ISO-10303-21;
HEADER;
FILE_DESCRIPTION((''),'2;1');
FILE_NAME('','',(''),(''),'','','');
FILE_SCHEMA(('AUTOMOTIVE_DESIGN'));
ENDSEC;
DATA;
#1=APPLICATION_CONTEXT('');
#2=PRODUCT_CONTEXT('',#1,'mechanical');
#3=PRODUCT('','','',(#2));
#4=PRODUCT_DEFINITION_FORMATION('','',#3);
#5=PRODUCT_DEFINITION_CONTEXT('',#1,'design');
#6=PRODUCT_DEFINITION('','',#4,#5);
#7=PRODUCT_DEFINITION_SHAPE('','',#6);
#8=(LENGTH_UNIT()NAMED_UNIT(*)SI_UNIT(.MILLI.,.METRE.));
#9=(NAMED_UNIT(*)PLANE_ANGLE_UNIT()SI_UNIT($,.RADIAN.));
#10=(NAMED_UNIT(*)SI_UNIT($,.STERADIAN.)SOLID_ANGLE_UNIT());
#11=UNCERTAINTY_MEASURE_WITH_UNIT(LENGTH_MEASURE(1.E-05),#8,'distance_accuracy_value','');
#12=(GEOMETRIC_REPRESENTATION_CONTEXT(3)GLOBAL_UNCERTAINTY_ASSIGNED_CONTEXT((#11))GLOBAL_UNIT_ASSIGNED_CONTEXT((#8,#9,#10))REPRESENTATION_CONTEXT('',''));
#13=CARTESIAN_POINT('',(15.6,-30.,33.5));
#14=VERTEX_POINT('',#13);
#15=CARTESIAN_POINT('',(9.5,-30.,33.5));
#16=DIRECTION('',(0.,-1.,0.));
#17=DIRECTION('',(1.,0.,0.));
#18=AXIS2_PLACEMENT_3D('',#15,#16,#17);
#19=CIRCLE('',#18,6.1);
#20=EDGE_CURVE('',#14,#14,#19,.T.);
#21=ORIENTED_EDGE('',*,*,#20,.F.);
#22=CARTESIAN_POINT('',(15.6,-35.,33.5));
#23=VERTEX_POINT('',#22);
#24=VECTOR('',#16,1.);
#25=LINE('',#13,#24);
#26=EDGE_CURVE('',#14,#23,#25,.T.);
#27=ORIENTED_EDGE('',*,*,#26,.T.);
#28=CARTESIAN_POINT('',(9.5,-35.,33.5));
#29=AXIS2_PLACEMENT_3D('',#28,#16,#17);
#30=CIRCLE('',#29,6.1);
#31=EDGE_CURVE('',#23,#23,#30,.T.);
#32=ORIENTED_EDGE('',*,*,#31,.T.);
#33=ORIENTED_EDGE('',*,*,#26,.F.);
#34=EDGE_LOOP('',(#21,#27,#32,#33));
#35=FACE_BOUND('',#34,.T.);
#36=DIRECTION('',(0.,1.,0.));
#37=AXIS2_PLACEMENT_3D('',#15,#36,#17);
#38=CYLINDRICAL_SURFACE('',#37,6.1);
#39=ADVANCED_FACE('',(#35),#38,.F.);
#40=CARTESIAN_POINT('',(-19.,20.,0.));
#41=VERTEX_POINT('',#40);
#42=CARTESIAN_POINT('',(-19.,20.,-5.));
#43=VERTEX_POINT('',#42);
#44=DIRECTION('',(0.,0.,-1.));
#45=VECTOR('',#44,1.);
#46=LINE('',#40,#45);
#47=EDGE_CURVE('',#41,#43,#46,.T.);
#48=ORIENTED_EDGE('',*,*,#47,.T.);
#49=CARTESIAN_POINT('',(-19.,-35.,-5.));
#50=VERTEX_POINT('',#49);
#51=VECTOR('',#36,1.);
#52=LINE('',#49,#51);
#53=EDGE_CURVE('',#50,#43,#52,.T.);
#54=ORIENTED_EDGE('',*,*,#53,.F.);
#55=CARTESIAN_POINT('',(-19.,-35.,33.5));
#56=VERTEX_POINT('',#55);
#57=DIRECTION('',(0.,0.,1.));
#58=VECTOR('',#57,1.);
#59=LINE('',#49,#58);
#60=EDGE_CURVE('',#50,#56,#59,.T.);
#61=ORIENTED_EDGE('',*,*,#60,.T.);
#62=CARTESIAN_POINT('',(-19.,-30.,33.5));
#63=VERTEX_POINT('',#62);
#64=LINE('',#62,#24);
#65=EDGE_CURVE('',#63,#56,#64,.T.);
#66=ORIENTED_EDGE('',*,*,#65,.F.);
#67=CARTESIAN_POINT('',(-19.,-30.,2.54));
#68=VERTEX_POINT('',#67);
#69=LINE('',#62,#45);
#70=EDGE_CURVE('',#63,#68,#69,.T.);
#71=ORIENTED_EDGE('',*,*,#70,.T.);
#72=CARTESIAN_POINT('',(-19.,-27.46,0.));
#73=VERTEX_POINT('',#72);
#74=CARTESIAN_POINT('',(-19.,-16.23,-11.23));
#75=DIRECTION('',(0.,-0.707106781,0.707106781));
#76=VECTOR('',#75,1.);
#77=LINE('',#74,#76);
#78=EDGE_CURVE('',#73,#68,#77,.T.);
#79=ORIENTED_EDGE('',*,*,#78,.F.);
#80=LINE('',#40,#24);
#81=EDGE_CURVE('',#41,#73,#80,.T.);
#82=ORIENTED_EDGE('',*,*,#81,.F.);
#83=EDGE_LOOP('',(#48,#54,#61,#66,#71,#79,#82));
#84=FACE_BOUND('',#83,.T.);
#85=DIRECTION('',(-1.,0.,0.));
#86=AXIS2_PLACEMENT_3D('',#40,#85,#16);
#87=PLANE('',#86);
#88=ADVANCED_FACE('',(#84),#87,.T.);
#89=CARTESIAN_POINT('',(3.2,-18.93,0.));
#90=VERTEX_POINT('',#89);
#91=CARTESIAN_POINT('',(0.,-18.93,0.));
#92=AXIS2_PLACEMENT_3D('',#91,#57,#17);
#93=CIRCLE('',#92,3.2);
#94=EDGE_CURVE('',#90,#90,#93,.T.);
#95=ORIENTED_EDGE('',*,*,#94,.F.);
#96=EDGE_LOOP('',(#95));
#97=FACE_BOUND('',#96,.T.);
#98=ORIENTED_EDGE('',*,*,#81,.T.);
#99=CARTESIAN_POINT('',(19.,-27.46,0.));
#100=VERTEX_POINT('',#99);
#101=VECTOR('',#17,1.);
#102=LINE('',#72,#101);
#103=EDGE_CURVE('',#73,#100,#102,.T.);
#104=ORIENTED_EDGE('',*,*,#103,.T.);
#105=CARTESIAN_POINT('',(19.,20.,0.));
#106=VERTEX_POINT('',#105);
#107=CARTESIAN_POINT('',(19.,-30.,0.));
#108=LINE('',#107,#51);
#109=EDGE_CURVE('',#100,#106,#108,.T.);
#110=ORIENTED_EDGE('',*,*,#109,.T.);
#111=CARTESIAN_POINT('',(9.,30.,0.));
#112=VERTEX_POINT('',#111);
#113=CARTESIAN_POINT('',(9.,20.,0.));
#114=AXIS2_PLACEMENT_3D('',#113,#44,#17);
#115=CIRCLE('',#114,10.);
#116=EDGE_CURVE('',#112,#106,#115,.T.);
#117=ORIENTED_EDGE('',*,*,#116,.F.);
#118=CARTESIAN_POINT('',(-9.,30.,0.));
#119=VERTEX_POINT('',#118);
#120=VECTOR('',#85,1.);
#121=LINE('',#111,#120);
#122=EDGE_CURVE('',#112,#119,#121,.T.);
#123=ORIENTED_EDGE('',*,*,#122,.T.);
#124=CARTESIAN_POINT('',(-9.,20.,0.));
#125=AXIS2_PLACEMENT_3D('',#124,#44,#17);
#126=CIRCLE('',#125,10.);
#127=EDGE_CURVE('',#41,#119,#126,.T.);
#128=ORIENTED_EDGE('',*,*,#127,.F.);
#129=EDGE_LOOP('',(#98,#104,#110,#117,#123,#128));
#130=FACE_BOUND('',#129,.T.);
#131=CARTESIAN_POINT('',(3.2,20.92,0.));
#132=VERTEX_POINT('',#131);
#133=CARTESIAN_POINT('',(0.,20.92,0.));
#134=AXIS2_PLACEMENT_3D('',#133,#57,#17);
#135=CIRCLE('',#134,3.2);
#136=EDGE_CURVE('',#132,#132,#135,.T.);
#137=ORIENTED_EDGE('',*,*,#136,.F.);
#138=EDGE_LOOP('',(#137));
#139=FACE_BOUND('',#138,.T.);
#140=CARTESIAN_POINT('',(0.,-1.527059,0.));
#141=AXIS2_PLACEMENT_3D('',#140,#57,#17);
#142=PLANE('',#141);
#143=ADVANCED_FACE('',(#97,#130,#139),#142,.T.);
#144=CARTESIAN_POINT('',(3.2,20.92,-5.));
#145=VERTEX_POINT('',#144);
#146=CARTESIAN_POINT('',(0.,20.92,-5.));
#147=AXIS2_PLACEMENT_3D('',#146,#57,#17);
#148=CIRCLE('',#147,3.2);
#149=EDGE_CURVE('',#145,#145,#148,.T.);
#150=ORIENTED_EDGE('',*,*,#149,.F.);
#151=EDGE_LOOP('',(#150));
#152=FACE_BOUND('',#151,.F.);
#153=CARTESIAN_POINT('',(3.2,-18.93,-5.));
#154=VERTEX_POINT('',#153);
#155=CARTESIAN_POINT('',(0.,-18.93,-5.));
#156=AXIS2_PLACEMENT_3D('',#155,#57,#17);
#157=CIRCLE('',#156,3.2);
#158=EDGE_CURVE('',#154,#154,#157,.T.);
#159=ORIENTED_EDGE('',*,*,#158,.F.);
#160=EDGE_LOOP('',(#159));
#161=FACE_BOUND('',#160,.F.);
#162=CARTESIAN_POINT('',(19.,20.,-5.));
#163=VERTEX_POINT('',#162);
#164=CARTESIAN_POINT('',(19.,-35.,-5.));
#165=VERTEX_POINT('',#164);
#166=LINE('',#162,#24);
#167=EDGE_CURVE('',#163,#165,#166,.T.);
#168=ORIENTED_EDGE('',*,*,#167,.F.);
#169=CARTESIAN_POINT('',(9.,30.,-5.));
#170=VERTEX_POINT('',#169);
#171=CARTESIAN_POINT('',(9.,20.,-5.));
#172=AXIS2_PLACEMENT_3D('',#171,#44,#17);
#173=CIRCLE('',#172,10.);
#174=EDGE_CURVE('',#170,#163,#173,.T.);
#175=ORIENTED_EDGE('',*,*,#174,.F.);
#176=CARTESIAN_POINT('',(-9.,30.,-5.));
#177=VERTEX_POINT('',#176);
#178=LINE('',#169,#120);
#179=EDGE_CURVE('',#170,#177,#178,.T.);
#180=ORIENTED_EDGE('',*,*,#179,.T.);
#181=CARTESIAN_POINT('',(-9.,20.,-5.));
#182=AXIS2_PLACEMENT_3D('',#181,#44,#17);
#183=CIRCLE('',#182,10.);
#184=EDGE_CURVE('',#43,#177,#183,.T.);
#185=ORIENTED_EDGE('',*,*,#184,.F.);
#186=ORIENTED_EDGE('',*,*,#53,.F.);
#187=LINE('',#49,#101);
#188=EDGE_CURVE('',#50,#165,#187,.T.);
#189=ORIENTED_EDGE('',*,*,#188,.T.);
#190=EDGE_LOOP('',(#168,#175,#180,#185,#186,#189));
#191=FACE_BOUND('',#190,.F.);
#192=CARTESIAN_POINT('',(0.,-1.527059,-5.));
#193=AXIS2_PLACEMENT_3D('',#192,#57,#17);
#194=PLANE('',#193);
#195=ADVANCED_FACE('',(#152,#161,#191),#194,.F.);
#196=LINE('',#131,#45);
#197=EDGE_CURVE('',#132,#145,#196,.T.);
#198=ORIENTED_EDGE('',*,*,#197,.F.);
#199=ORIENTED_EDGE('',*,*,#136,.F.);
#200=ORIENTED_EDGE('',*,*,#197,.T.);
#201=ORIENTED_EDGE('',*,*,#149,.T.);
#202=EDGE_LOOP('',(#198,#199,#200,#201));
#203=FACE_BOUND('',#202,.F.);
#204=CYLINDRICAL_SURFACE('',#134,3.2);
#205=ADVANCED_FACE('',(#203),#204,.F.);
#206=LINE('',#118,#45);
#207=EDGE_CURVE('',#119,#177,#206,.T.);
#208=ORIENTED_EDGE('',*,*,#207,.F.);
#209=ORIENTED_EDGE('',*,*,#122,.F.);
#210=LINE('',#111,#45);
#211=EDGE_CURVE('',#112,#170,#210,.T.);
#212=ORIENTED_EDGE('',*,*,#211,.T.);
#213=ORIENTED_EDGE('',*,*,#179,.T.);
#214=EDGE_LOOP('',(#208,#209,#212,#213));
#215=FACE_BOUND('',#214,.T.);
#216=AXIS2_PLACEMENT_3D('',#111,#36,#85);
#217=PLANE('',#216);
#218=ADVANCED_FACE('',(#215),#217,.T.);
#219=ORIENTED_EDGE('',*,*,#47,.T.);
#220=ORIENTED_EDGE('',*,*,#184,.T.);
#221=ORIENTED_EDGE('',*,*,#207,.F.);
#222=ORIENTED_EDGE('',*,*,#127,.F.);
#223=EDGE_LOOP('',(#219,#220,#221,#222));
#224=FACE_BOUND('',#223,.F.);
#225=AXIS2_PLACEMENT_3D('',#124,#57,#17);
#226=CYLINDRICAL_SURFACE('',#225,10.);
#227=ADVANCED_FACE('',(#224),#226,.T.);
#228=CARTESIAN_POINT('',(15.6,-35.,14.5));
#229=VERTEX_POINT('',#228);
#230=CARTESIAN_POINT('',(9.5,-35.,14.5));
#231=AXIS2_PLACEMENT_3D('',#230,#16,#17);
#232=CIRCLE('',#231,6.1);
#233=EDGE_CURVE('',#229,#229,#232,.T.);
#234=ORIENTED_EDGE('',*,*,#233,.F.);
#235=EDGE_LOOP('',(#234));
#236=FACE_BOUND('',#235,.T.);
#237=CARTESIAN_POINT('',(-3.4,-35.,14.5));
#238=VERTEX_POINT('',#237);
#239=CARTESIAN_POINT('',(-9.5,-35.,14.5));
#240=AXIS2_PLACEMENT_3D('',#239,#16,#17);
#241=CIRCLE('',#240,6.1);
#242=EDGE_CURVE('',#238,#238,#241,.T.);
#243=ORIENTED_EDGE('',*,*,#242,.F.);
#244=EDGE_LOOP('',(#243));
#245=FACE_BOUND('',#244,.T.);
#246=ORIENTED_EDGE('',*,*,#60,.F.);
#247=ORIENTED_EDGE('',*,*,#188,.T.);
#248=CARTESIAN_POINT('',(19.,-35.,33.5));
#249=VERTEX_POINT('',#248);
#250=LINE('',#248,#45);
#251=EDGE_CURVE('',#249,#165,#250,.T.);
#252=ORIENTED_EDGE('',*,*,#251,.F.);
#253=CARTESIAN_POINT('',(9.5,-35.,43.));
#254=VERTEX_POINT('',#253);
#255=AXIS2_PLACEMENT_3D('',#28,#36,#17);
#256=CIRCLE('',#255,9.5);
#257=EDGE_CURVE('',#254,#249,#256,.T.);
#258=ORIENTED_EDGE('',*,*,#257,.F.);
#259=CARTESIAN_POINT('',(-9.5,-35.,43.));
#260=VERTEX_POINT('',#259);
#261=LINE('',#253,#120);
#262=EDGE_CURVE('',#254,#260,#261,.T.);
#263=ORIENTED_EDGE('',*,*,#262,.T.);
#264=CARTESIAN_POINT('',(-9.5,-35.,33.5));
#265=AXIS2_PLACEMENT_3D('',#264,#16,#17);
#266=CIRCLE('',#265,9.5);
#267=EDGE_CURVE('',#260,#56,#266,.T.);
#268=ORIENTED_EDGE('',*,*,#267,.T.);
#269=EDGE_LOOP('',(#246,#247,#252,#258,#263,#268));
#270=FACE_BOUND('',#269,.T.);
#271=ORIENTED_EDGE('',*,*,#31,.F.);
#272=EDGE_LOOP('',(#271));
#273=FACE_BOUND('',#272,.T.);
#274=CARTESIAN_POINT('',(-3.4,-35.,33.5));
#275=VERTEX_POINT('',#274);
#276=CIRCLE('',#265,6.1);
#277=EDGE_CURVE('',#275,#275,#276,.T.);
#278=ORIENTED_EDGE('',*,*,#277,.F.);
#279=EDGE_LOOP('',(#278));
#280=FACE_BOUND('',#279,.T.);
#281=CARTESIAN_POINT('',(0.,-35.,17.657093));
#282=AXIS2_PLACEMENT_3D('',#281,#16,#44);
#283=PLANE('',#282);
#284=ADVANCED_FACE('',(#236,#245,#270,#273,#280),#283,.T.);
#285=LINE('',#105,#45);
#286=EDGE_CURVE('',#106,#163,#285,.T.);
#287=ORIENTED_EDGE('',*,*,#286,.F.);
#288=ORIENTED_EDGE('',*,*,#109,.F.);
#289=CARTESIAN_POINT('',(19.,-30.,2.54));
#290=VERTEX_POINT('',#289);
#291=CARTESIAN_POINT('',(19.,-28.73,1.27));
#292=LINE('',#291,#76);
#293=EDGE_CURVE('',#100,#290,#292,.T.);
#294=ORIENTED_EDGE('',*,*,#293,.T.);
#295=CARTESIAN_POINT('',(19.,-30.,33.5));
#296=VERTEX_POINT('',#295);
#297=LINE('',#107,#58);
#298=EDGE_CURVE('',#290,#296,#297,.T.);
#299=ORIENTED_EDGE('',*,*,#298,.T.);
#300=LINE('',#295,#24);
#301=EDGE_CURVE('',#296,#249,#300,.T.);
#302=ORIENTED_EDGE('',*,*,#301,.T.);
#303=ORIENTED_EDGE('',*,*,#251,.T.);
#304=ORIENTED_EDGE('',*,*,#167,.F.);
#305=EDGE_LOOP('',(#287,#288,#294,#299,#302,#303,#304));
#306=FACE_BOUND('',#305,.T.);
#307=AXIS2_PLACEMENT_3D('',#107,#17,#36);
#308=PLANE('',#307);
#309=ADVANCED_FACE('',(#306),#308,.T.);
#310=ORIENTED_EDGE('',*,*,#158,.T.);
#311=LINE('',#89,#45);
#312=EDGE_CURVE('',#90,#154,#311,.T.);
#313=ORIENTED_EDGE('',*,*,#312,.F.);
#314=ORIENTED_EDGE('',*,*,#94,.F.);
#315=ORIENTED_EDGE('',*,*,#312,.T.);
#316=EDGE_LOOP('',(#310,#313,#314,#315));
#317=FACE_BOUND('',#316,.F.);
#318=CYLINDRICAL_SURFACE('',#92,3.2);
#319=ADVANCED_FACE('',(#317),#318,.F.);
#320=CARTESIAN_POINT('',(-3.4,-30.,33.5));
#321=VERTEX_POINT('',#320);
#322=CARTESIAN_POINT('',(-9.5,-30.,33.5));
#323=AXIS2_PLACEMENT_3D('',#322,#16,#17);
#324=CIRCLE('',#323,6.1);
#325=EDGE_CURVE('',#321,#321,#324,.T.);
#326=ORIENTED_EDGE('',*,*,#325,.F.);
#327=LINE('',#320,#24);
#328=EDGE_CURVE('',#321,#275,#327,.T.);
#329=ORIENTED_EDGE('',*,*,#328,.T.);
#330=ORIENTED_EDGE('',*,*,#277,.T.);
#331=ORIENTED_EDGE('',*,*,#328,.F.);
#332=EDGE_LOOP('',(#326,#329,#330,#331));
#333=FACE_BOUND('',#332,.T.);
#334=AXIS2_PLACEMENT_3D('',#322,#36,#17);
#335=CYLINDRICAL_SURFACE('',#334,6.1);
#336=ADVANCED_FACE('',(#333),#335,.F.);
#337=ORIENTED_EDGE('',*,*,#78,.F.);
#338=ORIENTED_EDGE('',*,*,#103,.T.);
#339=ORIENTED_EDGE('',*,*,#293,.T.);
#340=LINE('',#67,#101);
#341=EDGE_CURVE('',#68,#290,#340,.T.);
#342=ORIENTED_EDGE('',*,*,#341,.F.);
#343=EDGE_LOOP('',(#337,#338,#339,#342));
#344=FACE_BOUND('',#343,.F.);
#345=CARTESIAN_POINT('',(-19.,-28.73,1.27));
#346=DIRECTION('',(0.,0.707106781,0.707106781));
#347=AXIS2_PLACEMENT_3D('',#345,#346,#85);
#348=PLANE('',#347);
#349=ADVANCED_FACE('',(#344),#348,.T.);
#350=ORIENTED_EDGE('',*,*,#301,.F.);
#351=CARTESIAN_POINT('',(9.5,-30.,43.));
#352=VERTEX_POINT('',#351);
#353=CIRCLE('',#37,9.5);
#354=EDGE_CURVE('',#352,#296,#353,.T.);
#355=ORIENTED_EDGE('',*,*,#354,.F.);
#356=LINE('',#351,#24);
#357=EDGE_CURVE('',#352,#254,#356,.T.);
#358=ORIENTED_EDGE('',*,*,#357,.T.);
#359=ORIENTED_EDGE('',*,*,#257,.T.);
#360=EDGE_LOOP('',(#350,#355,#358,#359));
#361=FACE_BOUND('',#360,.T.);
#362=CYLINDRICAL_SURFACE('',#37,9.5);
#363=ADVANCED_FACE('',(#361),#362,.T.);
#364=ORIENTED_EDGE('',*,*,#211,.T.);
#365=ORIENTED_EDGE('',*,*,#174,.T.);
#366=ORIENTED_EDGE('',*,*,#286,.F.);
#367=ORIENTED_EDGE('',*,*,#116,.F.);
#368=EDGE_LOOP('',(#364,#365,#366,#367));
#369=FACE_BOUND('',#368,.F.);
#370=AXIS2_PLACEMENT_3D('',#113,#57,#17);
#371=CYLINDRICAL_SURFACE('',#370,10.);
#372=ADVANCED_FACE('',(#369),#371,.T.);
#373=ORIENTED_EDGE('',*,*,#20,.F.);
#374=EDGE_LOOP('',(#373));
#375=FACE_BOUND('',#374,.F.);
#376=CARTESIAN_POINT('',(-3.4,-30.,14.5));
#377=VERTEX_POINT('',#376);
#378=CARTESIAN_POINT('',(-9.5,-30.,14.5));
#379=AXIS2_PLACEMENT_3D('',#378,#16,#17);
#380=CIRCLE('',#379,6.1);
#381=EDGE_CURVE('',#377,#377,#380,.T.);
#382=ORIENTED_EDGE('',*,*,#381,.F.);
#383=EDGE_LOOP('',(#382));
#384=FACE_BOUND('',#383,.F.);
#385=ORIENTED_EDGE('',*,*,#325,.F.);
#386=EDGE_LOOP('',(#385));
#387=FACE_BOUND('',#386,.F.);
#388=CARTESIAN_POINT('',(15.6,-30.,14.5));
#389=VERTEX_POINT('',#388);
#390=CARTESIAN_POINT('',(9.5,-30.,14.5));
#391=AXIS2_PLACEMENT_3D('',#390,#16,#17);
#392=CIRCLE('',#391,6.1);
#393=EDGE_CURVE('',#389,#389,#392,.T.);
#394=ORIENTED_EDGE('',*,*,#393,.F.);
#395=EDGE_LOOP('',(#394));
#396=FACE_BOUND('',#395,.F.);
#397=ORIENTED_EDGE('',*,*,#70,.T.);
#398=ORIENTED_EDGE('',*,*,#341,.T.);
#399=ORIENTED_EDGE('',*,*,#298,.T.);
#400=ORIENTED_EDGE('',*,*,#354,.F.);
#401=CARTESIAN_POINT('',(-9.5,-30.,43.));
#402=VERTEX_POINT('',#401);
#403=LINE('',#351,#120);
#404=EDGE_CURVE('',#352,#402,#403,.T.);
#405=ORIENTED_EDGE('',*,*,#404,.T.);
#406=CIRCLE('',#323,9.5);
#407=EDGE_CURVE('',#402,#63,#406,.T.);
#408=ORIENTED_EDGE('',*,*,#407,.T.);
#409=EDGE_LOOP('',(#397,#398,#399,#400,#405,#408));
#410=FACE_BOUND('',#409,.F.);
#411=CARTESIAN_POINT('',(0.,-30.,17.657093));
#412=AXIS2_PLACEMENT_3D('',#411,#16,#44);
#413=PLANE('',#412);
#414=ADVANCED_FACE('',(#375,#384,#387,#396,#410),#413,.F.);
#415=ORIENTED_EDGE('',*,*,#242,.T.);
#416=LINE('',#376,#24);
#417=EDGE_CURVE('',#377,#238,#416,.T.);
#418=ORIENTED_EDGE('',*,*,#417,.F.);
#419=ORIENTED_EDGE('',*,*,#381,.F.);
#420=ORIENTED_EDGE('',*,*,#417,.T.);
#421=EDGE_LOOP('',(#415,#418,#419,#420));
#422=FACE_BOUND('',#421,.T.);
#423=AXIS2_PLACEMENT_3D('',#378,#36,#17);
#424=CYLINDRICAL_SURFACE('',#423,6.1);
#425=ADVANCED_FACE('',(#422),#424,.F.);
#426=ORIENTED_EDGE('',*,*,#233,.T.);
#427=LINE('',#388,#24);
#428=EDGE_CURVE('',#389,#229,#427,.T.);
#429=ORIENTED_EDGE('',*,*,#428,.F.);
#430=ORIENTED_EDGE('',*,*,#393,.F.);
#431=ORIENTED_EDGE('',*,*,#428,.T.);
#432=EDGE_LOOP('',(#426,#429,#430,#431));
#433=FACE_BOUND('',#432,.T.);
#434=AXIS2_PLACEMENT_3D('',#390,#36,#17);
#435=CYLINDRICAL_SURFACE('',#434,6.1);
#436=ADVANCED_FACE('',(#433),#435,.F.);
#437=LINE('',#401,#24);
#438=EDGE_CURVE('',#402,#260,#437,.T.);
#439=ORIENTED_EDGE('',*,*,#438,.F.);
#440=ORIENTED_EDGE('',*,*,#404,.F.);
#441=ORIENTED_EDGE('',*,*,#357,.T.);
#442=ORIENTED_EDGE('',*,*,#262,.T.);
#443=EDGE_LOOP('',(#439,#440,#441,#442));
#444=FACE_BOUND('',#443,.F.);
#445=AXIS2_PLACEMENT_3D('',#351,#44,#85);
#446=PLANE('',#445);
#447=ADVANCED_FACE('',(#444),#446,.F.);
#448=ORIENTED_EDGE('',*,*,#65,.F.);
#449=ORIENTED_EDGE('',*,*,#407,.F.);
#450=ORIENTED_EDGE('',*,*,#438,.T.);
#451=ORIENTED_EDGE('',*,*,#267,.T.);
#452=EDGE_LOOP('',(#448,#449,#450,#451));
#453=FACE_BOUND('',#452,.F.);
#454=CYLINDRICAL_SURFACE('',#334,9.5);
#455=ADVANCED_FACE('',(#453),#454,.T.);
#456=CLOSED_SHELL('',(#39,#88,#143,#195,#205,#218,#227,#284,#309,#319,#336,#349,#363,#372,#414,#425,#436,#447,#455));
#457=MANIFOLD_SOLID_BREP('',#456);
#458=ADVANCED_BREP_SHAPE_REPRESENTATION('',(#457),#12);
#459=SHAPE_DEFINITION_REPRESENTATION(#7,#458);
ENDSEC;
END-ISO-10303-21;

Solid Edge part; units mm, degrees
sketch "Sketch1" plane through (0, 0, 0) normal (0, 0, 1) x (1, 0, 0)
  circle A0 centre (0, -18.93) radius 3.2
  circle A1 centre (0, 20.92) radius 3.2
  line L0 (9, 30) -> (-9, 30)
  arc A2 (-19, 20) -> (-9, 30) centre (-9, 20) cw
  line L1 (-19, 20) -> (-19, -30)
  line L2 (-19, -30) -> (19, -30)
  line L3 (19, -30) -> (19, 20)
  arc A3 (9, 30) -> (19, 20) centre (9, 20) cw
extrude "Protrusion1" add sketch "Sketch1" against normal blind 5
sketch "Sketch2" plane through (0, -30, -2.5) normal (0, -1, 0) x (1, 0, 0)
  circle A0 centre (-9.5, 36) radius 6.1
  circle A1 centre (-9.5, 17) radius 6.1
  circle A2 centre (9.5, 17) radius 6.1
  circle A3 centre (9.5, 36) radius 6.1
  line L0 (9.5, 45.5) -> (-9.5, 45.5)
  arc A4 (-9.5, 45.5) -> (-19, 36) centre (-9.5, 36) ccw
  line L1 (-19, 36) -> (-19, 7.5)
  line L2 (-19, 7.5) -> (-19, -2.5)
  line L3 (-19, -2.5) -> (19, -2.5)
  line L4 (19, -2.5) -> (19, 7.5)
  line L5 (19, 7.5) -> (19, 36)
  arc A5 (9.5, 45.5) -> (19, 36) centre (9.5, 36) cw
extrude "Extrusionsausprägung_2" add sketch "Sketch2" along normal blind 5
chamfer "Fase_1" distance 2.54 angle 45 1 edges at (0, -30, 0)
